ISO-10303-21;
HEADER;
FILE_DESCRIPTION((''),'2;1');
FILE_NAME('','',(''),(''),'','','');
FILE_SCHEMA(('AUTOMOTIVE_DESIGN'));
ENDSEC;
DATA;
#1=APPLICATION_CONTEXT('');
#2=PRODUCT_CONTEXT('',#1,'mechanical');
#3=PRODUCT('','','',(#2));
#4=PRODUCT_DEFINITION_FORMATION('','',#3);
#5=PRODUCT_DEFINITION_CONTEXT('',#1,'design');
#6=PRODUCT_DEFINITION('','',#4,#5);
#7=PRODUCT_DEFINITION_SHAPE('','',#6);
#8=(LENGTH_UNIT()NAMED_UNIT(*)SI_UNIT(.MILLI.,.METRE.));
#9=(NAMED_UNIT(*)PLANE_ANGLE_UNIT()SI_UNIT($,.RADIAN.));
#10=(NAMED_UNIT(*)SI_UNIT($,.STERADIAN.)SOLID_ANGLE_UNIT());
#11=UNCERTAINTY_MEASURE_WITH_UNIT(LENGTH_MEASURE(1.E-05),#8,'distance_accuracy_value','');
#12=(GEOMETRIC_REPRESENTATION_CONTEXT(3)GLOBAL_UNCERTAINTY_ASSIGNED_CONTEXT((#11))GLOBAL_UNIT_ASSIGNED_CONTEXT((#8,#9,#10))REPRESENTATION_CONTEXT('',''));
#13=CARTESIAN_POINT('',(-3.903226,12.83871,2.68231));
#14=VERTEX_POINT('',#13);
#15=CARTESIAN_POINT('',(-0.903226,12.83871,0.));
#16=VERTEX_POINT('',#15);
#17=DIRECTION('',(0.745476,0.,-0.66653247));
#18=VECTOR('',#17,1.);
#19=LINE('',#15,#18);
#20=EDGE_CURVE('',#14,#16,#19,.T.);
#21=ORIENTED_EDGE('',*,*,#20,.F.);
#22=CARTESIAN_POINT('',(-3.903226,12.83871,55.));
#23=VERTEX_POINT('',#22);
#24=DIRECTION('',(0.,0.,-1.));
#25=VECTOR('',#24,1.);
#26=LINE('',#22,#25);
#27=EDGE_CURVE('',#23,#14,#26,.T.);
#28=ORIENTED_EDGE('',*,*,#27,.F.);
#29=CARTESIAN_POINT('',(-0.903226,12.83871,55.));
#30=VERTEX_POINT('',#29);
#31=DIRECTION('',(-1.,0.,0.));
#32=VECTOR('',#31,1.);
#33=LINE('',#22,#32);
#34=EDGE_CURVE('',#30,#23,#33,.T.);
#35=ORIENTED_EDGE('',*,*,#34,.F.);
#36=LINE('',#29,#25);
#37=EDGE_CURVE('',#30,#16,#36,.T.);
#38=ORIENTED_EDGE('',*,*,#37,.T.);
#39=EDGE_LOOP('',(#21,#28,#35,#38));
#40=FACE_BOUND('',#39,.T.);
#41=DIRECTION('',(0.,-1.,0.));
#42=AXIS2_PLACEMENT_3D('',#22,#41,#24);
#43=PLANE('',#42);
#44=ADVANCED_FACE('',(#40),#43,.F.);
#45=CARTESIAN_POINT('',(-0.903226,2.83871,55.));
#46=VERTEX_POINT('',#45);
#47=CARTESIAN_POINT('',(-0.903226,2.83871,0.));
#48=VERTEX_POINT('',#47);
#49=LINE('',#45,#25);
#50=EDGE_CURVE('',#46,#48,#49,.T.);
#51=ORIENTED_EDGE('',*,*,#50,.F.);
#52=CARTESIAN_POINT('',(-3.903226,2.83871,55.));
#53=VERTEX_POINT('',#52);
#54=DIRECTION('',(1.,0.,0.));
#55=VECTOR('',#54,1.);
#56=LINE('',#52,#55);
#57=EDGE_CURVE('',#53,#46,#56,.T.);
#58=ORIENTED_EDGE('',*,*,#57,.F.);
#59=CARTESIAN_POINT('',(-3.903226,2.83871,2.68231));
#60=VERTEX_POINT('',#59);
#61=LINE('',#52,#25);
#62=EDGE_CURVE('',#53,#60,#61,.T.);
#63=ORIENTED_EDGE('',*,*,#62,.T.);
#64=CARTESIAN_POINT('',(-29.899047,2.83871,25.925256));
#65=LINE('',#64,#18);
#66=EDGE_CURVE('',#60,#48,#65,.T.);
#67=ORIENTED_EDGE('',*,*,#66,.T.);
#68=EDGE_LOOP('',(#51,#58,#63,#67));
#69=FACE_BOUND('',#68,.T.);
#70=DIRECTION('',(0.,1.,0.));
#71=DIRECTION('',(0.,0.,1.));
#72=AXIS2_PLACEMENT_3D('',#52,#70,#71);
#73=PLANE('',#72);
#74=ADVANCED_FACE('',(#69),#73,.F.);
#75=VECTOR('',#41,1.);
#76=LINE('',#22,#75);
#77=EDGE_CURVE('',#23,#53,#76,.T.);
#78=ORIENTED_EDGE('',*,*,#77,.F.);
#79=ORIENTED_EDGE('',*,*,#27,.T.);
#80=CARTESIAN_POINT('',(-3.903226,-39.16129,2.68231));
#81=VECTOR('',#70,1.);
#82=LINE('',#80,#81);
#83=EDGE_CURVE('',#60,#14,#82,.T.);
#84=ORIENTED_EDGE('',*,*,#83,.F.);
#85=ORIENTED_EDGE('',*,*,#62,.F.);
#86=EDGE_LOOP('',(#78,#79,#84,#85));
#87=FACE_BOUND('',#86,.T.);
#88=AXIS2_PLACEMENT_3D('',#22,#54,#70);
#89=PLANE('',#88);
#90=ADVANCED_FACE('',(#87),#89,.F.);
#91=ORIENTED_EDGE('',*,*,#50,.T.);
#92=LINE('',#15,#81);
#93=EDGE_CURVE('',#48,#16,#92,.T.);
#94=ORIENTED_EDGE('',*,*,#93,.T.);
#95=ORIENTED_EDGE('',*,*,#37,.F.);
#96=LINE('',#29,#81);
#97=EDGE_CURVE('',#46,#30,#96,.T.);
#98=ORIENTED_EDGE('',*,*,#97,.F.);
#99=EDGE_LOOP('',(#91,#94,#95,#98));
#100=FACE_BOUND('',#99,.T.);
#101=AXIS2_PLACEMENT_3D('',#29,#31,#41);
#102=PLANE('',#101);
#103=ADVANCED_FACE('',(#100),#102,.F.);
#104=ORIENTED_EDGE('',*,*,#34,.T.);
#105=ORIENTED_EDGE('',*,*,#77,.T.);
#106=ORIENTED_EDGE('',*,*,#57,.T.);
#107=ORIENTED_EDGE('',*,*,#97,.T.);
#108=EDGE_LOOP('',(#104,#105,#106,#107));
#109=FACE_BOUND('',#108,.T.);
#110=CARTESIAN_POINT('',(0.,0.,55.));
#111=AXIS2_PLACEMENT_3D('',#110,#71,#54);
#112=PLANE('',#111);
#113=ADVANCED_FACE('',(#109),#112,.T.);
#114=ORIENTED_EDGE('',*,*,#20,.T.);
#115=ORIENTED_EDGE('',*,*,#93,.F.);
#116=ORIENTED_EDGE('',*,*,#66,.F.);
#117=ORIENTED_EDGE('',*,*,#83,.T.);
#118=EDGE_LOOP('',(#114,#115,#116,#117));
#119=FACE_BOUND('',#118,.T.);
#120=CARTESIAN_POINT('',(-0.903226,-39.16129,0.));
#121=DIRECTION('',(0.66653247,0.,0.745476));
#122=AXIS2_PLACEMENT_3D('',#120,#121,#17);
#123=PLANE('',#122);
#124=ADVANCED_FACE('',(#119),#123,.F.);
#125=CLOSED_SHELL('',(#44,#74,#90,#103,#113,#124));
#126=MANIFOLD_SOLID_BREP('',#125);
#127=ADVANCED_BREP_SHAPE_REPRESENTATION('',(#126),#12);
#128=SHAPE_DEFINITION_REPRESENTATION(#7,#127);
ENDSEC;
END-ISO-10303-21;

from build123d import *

# Parameters (mm, degrees)
SKETCH1_W           = 3
SKETCH1_H           = 10
BOSS_EXTRUDE1_DEPTH = 55
CUT_EXTRUDE1_DEPTH  = 52


with BuildPart() as part:
    # Sketch1 → Boss-Extrude1 (new body)
    with BuildSketch(Plane.XY):
        with Locations((-2.403225806, 7.838709677)):
            Rectangle(SKETCH1_W, SKETCH1_H)
    extrude(amount=BOSS_EXTRUDE1_DEPTH)

    # Sketch3 → Cut-Extrude1 (cut)
    with BuildSketch(Plane(origin=(0, 12.838709677, 0), x_dir=(1, 0, 0), z_dir=(0, 1, 0))):
        Polygon((-0.903225806, 0), (-3.903225806, -2.682309573), (-3.903225806, 0), align=None)
    extrude(amount=-CUT_EXTRUDE1_DEPTH, mode=Mode.SUBTRACT)


solid = part.part
